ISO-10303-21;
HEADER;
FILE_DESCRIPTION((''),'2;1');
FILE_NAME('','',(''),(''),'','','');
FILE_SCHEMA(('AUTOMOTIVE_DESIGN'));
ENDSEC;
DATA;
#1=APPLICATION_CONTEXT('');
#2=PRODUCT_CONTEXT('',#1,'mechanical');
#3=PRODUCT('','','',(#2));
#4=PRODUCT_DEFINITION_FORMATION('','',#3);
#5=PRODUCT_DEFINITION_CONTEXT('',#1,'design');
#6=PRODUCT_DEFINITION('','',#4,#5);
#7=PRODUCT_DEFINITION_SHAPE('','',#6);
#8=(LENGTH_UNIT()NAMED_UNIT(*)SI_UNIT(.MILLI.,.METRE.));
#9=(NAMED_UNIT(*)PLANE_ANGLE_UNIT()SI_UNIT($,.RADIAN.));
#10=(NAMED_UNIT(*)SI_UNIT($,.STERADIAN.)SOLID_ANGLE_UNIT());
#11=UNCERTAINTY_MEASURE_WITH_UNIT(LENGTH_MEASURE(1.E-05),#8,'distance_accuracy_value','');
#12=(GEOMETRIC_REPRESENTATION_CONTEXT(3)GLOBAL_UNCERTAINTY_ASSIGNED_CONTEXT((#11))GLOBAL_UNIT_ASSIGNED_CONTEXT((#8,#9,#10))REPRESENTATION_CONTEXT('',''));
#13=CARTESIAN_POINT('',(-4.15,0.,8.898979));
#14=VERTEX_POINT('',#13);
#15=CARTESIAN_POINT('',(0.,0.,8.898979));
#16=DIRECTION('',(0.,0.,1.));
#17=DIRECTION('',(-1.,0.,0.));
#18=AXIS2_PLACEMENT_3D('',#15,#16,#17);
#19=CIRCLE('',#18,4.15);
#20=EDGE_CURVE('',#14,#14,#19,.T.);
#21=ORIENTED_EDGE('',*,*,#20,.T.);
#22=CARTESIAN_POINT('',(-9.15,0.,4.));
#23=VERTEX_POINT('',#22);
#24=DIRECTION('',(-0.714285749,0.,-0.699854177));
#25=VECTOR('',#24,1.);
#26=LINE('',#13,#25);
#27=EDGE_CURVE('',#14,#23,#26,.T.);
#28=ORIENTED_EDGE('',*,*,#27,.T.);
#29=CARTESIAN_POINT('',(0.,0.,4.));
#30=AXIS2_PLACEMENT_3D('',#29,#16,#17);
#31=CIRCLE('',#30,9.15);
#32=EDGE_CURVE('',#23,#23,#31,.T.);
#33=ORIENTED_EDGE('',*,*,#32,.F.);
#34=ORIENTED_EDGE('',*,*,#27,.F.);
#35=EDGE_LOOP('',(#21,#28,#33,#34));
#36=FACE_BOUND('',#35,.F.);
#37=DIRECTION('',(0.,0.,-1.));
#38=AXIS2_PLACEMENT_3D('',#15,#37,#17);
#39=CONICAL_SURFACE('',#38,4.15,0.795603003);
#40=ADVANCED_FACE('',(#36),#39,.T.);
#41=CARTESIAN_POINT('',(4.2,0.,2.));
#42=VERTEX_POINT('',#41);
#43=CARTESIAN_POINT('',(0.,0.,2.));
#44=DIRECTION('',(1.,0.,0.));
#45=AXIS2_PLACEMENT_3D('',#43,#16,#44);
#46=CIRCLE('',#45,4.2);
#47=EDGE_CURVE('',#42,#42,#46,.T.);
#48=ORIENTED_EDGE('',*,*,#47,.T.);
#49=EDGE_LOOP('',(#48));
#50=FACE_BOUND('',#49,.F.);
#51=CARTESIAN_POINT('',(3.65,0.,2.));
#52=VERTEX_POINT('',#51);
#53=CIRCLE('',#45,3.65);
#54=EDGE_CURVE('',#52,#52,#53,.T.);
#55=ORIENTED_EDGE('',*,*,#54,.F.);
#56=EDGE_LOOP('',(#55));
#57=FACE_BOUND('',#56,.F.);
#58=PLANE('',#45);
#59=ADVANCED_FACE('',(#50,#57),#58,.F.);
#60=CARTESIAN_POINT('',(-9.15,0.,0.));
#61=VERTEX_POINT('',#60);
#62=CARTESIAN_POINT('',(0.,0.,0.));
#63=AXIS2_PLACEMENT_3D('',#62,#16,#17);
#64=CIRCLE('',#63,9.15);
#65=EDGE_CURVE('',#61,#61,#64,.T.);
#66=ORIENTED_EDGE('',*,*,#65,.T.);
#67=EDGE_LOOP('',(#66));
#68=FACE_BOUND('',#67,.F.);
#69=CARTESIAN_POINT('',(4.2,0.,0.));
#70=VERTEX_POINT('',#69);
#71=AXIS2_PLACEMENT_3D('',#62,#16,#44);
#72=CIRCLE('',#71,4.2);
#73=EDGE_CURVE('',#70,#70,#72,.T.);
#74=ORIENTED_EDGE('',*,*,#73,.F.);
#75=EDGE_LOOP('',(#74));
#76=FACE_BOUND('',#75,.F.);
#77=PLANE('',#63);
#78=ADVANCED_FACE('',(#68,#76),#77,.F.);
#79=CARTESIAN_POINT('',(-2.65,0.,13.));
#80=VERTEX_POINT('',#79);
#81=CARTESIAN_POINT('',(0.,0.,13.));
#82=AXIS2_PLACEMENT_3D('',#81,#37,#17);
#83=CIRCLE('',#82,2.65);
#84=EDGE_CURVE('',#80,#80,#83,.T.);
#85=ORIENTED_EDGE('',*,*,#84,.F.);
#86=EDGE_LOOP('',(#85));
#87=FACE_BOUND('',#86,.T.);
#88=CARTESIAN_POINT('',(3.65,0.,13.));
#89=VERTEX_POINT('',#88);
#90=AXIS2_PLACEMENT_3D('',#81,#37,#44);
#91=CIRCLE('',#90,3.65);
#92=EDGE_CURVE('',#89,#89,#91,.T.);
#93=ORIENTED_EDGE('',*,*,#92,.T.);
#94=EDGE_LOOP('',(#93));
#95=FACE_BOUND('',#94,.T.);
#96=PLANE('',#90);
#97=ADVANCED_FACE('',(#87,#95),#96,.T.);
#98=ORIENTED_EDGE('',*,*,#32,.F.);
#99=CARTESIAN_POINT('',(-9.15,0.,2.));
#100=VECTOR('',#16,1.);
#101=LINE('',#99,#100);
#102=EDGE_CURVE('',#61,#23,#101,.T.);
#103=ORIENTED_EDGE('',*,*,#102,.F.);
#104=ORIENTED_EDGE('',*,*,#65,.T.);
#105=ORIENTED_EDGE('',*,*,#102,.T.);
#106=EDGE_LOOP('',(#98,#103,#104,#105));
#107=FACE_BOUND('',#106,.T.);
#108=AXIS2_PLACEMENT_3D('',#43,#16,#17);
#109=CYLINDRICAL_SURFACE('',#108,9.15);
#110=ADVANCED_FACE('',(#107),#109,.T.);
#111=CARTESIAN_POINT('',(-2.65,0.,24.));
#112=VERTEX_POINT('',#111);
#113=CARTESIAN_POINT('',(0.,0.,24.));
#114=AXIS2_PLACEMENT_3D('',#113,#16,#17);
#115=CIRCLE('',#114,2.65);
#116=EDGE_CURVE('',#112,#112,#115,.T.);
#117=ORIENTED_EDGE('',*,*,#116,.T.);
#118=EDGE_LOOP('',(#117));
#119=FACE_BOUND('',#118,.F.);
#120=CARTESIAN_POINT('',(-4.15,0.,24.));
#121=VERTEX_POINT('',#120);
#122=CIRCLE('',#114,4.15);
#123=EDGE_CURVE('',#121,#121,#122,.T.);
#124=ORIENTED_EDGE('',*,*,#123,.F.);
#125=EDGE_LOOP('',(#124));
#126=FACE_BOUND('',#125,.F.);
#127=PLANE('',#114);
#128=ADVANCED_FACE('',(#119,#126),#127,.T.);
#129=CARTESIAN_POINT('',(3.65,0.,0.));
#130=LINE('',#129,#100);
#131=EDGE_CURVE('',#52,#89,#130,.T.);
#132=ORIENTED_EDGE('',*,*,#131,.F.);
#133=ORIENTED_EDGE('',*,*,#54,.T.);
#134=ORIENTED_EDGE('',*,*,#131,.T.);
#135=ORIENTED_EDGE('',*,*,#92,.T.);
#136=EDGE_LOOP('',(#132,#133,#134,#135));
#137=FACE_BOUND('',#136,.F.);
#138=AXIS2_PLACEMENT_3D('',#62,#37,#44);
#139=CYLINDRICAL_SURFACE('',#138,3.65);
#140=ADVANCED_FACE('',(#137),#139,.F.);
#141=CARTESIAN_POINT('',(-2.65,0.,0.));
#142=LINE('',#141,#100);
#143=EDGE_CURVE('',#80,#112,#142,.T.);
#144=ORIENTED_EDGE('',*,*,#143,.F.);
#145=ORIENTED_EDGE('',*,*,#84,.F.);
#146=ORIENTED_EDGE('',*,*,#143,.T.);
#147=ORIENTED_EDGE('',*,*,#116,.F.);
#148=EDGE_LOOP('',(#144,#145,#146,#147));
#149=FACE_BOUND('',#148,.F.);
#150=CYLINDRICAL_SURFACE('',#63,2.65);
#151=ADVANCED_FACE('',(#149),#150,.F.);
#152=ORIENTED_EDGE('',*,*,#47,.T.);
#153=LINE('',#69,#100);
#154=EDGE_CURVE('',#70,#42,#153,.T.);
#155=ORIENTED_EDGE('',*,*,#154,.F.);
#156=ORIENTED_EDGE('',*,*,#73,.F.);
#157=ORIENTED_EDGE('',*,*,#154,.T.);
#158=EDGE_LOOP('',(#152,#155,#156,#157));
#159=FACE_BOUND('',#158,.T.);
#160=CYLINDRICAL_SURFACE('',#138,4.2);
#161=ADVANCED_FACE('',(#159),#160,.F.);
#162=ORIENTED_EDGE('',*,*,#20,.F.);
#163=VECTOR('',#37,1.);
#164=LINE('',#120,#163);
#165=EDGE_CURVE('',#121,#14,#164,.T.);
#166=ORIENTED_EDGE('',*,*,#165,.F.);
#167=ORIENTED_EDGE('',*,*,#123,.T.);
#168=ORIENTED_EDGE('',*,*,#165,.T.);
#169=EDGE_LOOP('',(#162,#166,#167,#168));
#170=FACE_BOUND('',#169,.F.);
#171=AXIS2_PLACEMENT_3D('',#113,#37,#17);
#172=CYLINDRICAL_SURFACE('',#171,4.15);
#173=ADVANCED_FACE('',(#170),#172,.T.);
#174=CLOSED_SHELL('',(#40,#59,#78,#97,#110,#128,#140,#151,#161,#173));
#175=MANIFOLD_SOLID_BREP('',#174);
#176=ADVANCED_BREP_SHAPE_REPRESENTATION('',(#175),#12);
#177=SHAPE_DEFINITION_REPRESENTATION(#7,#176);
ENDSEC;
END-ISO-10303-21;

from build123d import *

# Parameters (mm, degrees)
F0_W        = 5
F0_H        = 4
F2_R        = 4.2
F2_R_2      = 3.65
F3_DEPTH    = 2
F3_FACE_R   = 3.65
F3_FACE_R_2 = 2.65
F4_DEPTH    = 13


with BuildPart() as f1:
    # F0 (on Front) → F1 (revolve)
    with BuildSketch(Plane.XZ):
        Polygon((-4.15, 0), (-2.65, 0), (-2.65, 24), (-4.15, 24), (-4.15, 8.898979), (-4.15, 4), align=None)
        with Locations((-6.65, 2)):
            Rectangle(F0_W, F0_H)
        Polygon((-9.15, 4), (-4.15, 4), (-4.15, 8.898979), align=None)
    revolve(axis=Axis((0, 0, 13.376878), (0, 0, 1)))

    # F2 (on Top) → F3 (cut)
    with BuildSketch(Plane.XY):
        Circle(F2_R)
        Circle(F2_R_2, mode=Mode.SUBTRACT)
    extrude(amount=F3_DEPTH, mode=Mode.SUBTRACT)

    # F3_face (on face) → F4 (cut)
    with BuildSketch(Plane(origin=(0, 0, 0), x_dir=(1, 0, 0), z_dir=(0, 0, -1))):
        Circle(F3_FACE_R)
        Circle(F3_FACE_R_2, mode=Mode.SUBTRACT)
    extrude(amount=-F4_DEPTH, mode=Mode.SUBTRACT)


solid = f1.part
